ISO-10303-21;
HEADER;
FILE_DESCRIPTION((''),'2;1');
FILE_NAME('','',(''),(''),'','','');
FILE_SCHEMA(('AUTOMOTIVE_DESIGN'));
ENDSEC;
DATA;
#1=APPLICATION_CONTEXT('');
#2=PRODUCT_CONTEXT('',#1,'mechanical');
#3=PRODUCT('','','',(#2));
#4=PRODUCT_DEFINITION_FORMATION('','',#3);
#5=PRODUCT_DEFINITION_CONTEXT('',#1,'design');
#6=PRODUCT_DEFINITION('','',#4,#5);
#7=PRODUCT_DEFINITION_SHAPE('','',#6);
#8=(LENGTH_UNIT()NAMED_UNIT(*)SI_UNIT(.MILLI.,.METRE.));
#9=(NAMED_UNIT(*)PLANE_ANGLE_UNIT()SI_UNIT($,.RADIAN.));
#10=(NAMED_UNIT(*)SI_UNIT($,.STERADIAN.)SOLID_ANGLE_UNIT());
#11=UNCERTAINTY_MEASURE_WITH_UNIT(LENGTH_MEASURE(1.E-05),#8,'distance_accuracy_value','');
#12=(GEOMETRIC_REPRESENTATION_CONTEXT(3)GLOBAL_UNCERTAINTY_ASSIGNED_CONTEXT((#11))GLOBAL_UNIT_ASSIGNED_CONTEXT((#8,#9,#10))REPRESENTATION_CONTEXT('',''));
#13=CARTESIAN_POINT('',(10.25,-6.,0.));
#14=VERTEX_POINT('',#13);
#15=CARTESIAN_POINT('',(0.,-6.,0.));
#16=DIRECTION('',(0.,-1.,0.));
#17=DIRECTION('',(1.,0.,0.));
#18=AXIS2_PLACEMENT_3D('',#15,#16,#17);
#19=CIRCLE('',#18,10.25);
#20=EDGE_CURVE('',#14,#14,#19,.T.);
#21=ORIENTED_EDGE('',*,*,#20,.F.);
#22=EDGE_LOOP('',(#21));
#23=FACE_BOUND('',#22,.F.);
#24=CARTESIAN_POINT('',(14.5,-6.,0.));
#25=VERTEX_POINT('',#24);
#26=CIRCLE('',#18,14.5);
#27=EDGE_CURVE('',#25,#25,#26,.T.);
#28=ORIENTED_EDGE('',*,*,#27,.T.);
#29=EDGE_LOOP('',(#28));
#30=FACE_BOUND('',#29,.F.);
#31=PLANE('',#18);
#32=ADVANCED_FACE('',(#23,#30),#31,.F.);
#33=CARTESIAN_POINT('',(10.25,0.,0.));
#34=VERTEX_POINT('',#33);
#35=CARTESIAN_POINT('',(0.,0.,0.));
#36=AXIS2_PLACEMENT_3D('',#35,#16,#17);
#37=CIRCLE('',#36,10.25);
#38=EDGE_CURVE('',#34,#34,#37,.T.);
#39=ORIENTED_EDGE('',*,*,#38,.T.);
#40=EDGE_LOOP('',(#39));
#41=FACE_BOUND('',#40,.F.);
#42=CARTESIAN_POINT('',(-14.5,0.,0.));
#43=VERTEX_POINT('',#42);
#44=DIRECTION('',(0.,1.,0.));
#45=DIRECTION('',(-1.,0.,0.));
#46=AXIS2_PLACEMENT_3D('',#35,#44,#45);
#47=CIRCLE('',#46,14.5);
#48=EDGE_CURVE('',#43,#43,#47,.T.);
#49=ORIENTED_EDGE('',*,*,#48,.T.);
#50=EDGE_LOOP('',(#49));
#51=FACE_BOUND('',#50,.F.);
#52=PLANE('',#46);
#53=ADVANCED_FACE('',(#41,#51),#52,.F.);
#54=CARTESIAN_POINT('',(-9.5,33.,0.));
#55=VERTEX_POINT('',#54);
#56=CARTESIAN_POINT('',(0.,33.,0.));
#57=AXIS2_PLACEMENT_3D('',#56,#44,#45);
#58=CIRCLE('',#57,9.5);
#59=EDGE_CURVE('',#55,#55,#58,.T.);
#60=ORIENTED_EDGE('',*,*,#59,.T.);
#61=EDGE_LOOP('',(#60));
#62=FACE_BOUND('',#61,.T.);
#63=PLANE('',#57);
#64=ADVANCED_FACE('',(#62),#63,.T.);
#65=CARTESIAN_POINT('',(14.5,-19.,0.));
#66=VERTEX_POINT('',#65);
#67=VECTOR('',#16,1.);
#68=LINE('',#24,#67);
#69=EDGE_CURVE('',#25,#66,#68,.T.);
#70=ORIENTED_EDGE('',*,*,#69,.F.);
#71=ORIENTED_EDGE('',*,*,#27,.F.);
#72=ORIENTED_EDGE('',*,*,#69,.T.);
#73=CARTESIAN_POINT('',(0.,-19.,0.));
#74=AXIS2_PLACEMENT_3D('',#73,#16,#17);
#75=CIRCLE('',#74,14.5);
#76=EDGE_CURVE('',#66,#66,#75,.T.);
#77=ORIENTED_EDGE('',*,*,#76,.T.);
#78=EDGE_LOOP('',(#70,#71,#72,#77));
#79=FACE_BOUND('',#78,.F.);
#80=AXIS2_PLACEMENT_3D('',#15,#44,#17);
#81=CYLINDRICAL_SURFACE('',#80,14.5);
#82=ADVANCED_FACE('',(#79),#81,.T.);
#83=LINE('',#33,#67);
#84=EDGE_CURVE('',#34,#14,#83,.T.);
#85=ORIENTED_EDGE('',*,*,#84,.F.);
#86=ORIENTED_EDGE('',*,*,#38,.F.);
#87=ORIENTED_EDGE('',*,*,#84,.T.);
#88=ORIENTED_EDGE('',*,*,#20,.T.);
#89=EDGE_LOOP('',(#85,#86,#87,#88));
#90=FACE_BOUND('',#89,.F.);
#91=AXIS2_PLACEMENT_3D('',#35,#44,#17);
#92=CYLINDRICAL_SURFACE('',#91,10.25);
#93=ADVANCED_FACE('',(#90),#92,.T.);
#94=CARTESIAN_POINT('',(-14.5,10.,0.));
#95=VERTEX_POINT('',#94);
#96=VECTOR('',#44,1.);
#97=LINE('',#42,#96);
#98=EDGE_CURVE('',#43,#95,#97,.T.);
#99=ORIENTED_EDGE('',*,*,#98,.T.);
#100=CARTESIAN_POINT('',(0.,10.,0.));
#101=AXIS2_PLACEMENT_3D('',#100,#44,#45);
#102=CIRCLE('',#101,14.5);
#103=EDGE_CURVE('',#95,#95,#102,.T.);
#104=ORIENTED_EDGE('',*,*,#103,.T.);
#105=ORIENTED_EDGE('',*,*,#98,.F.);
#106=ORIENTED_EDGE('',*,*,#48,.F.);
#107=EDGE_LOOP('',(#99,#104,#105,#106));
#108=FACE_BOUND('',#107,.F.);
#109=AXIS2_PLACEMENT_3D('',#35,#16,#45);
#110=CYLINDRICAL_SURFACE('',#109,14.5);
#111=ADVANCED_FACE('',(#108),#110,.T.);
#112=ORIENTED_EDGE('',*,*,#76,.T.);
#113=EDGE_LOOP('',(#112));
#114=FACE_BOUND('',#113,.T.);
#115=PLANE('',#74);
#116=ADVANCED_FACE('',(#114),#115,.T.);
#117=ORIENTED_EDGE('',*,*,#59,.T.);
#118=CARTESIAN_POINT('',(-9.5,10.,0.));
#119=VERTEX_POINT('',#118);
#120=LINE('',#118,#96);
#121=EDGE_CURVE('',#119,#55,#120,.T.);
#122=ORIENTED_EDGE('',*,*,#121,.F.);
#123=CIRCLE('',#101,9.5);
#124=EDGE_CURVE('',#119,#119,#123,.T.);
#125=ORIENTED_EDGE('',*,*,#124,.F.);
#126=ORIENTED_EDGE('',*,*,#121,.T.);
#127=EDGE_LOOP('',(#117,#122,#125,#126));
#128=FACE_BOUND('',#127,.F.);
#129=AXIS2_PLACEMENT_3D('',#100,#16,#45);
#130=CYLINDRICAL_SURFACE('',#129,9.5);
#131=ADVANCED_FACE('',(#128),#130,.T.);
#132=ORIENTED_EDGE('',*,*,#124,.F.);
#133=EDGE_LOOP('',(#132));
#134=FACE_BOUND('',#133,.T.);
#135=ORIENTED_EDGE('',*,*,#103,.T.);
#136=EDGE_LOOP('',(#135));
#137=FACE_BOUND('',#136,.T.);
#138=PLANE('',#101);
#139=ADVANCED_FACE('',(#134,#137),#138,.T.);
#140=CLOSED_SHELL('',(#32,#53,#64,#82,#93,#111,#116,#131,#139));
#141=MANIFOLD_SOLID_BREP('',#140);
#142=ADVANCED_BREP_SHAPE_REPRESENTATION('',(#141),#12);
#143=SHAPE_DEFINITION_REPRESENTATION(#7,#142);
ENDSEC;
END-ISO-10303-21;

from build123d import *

# Parameters (mm, degrees)
F0_R     = 10.25
F1_DEPTH = 6
F2_R     = 14.5
F3_DEPTH = 13
F4_R     = 14.5
F5_DEPTH = 10
F6_R     = 9.5
F7_DEPTH = 23


with BuildPart() as f1:
    # F0 (on Front) → F1 (new body)
    with BuildSketch(Plane.XZ):
        Circle(F0_R)
    extrude(amount=F1_DEPTH)

    # F2 (on face) → F3 (join)
    with BuildSketch(Plane.XZ.offset(6)):
        Circle(F2_R)
    extrude(amount=F3_DEPTH)

    # F4 (on face) → F5 (join)
    with BuildSketch(Plane(origin=(0, 0, 0), x_dir=(-1, 0, 0), z_dir=(0, 1, 0))):
        Circle(F4_R)
    extrude(amount=F5_DEPTH)

    # F6 (on face) → F7 (join)
    with BuildSketch(Plane(origin=(0, 10, 0), x_dir=(-1, 0, 0), z_dir=(0, 1, 0))):
        Circle(F6_R)
    extrude(amount=F7_DEPTH)


solid = f1.part
